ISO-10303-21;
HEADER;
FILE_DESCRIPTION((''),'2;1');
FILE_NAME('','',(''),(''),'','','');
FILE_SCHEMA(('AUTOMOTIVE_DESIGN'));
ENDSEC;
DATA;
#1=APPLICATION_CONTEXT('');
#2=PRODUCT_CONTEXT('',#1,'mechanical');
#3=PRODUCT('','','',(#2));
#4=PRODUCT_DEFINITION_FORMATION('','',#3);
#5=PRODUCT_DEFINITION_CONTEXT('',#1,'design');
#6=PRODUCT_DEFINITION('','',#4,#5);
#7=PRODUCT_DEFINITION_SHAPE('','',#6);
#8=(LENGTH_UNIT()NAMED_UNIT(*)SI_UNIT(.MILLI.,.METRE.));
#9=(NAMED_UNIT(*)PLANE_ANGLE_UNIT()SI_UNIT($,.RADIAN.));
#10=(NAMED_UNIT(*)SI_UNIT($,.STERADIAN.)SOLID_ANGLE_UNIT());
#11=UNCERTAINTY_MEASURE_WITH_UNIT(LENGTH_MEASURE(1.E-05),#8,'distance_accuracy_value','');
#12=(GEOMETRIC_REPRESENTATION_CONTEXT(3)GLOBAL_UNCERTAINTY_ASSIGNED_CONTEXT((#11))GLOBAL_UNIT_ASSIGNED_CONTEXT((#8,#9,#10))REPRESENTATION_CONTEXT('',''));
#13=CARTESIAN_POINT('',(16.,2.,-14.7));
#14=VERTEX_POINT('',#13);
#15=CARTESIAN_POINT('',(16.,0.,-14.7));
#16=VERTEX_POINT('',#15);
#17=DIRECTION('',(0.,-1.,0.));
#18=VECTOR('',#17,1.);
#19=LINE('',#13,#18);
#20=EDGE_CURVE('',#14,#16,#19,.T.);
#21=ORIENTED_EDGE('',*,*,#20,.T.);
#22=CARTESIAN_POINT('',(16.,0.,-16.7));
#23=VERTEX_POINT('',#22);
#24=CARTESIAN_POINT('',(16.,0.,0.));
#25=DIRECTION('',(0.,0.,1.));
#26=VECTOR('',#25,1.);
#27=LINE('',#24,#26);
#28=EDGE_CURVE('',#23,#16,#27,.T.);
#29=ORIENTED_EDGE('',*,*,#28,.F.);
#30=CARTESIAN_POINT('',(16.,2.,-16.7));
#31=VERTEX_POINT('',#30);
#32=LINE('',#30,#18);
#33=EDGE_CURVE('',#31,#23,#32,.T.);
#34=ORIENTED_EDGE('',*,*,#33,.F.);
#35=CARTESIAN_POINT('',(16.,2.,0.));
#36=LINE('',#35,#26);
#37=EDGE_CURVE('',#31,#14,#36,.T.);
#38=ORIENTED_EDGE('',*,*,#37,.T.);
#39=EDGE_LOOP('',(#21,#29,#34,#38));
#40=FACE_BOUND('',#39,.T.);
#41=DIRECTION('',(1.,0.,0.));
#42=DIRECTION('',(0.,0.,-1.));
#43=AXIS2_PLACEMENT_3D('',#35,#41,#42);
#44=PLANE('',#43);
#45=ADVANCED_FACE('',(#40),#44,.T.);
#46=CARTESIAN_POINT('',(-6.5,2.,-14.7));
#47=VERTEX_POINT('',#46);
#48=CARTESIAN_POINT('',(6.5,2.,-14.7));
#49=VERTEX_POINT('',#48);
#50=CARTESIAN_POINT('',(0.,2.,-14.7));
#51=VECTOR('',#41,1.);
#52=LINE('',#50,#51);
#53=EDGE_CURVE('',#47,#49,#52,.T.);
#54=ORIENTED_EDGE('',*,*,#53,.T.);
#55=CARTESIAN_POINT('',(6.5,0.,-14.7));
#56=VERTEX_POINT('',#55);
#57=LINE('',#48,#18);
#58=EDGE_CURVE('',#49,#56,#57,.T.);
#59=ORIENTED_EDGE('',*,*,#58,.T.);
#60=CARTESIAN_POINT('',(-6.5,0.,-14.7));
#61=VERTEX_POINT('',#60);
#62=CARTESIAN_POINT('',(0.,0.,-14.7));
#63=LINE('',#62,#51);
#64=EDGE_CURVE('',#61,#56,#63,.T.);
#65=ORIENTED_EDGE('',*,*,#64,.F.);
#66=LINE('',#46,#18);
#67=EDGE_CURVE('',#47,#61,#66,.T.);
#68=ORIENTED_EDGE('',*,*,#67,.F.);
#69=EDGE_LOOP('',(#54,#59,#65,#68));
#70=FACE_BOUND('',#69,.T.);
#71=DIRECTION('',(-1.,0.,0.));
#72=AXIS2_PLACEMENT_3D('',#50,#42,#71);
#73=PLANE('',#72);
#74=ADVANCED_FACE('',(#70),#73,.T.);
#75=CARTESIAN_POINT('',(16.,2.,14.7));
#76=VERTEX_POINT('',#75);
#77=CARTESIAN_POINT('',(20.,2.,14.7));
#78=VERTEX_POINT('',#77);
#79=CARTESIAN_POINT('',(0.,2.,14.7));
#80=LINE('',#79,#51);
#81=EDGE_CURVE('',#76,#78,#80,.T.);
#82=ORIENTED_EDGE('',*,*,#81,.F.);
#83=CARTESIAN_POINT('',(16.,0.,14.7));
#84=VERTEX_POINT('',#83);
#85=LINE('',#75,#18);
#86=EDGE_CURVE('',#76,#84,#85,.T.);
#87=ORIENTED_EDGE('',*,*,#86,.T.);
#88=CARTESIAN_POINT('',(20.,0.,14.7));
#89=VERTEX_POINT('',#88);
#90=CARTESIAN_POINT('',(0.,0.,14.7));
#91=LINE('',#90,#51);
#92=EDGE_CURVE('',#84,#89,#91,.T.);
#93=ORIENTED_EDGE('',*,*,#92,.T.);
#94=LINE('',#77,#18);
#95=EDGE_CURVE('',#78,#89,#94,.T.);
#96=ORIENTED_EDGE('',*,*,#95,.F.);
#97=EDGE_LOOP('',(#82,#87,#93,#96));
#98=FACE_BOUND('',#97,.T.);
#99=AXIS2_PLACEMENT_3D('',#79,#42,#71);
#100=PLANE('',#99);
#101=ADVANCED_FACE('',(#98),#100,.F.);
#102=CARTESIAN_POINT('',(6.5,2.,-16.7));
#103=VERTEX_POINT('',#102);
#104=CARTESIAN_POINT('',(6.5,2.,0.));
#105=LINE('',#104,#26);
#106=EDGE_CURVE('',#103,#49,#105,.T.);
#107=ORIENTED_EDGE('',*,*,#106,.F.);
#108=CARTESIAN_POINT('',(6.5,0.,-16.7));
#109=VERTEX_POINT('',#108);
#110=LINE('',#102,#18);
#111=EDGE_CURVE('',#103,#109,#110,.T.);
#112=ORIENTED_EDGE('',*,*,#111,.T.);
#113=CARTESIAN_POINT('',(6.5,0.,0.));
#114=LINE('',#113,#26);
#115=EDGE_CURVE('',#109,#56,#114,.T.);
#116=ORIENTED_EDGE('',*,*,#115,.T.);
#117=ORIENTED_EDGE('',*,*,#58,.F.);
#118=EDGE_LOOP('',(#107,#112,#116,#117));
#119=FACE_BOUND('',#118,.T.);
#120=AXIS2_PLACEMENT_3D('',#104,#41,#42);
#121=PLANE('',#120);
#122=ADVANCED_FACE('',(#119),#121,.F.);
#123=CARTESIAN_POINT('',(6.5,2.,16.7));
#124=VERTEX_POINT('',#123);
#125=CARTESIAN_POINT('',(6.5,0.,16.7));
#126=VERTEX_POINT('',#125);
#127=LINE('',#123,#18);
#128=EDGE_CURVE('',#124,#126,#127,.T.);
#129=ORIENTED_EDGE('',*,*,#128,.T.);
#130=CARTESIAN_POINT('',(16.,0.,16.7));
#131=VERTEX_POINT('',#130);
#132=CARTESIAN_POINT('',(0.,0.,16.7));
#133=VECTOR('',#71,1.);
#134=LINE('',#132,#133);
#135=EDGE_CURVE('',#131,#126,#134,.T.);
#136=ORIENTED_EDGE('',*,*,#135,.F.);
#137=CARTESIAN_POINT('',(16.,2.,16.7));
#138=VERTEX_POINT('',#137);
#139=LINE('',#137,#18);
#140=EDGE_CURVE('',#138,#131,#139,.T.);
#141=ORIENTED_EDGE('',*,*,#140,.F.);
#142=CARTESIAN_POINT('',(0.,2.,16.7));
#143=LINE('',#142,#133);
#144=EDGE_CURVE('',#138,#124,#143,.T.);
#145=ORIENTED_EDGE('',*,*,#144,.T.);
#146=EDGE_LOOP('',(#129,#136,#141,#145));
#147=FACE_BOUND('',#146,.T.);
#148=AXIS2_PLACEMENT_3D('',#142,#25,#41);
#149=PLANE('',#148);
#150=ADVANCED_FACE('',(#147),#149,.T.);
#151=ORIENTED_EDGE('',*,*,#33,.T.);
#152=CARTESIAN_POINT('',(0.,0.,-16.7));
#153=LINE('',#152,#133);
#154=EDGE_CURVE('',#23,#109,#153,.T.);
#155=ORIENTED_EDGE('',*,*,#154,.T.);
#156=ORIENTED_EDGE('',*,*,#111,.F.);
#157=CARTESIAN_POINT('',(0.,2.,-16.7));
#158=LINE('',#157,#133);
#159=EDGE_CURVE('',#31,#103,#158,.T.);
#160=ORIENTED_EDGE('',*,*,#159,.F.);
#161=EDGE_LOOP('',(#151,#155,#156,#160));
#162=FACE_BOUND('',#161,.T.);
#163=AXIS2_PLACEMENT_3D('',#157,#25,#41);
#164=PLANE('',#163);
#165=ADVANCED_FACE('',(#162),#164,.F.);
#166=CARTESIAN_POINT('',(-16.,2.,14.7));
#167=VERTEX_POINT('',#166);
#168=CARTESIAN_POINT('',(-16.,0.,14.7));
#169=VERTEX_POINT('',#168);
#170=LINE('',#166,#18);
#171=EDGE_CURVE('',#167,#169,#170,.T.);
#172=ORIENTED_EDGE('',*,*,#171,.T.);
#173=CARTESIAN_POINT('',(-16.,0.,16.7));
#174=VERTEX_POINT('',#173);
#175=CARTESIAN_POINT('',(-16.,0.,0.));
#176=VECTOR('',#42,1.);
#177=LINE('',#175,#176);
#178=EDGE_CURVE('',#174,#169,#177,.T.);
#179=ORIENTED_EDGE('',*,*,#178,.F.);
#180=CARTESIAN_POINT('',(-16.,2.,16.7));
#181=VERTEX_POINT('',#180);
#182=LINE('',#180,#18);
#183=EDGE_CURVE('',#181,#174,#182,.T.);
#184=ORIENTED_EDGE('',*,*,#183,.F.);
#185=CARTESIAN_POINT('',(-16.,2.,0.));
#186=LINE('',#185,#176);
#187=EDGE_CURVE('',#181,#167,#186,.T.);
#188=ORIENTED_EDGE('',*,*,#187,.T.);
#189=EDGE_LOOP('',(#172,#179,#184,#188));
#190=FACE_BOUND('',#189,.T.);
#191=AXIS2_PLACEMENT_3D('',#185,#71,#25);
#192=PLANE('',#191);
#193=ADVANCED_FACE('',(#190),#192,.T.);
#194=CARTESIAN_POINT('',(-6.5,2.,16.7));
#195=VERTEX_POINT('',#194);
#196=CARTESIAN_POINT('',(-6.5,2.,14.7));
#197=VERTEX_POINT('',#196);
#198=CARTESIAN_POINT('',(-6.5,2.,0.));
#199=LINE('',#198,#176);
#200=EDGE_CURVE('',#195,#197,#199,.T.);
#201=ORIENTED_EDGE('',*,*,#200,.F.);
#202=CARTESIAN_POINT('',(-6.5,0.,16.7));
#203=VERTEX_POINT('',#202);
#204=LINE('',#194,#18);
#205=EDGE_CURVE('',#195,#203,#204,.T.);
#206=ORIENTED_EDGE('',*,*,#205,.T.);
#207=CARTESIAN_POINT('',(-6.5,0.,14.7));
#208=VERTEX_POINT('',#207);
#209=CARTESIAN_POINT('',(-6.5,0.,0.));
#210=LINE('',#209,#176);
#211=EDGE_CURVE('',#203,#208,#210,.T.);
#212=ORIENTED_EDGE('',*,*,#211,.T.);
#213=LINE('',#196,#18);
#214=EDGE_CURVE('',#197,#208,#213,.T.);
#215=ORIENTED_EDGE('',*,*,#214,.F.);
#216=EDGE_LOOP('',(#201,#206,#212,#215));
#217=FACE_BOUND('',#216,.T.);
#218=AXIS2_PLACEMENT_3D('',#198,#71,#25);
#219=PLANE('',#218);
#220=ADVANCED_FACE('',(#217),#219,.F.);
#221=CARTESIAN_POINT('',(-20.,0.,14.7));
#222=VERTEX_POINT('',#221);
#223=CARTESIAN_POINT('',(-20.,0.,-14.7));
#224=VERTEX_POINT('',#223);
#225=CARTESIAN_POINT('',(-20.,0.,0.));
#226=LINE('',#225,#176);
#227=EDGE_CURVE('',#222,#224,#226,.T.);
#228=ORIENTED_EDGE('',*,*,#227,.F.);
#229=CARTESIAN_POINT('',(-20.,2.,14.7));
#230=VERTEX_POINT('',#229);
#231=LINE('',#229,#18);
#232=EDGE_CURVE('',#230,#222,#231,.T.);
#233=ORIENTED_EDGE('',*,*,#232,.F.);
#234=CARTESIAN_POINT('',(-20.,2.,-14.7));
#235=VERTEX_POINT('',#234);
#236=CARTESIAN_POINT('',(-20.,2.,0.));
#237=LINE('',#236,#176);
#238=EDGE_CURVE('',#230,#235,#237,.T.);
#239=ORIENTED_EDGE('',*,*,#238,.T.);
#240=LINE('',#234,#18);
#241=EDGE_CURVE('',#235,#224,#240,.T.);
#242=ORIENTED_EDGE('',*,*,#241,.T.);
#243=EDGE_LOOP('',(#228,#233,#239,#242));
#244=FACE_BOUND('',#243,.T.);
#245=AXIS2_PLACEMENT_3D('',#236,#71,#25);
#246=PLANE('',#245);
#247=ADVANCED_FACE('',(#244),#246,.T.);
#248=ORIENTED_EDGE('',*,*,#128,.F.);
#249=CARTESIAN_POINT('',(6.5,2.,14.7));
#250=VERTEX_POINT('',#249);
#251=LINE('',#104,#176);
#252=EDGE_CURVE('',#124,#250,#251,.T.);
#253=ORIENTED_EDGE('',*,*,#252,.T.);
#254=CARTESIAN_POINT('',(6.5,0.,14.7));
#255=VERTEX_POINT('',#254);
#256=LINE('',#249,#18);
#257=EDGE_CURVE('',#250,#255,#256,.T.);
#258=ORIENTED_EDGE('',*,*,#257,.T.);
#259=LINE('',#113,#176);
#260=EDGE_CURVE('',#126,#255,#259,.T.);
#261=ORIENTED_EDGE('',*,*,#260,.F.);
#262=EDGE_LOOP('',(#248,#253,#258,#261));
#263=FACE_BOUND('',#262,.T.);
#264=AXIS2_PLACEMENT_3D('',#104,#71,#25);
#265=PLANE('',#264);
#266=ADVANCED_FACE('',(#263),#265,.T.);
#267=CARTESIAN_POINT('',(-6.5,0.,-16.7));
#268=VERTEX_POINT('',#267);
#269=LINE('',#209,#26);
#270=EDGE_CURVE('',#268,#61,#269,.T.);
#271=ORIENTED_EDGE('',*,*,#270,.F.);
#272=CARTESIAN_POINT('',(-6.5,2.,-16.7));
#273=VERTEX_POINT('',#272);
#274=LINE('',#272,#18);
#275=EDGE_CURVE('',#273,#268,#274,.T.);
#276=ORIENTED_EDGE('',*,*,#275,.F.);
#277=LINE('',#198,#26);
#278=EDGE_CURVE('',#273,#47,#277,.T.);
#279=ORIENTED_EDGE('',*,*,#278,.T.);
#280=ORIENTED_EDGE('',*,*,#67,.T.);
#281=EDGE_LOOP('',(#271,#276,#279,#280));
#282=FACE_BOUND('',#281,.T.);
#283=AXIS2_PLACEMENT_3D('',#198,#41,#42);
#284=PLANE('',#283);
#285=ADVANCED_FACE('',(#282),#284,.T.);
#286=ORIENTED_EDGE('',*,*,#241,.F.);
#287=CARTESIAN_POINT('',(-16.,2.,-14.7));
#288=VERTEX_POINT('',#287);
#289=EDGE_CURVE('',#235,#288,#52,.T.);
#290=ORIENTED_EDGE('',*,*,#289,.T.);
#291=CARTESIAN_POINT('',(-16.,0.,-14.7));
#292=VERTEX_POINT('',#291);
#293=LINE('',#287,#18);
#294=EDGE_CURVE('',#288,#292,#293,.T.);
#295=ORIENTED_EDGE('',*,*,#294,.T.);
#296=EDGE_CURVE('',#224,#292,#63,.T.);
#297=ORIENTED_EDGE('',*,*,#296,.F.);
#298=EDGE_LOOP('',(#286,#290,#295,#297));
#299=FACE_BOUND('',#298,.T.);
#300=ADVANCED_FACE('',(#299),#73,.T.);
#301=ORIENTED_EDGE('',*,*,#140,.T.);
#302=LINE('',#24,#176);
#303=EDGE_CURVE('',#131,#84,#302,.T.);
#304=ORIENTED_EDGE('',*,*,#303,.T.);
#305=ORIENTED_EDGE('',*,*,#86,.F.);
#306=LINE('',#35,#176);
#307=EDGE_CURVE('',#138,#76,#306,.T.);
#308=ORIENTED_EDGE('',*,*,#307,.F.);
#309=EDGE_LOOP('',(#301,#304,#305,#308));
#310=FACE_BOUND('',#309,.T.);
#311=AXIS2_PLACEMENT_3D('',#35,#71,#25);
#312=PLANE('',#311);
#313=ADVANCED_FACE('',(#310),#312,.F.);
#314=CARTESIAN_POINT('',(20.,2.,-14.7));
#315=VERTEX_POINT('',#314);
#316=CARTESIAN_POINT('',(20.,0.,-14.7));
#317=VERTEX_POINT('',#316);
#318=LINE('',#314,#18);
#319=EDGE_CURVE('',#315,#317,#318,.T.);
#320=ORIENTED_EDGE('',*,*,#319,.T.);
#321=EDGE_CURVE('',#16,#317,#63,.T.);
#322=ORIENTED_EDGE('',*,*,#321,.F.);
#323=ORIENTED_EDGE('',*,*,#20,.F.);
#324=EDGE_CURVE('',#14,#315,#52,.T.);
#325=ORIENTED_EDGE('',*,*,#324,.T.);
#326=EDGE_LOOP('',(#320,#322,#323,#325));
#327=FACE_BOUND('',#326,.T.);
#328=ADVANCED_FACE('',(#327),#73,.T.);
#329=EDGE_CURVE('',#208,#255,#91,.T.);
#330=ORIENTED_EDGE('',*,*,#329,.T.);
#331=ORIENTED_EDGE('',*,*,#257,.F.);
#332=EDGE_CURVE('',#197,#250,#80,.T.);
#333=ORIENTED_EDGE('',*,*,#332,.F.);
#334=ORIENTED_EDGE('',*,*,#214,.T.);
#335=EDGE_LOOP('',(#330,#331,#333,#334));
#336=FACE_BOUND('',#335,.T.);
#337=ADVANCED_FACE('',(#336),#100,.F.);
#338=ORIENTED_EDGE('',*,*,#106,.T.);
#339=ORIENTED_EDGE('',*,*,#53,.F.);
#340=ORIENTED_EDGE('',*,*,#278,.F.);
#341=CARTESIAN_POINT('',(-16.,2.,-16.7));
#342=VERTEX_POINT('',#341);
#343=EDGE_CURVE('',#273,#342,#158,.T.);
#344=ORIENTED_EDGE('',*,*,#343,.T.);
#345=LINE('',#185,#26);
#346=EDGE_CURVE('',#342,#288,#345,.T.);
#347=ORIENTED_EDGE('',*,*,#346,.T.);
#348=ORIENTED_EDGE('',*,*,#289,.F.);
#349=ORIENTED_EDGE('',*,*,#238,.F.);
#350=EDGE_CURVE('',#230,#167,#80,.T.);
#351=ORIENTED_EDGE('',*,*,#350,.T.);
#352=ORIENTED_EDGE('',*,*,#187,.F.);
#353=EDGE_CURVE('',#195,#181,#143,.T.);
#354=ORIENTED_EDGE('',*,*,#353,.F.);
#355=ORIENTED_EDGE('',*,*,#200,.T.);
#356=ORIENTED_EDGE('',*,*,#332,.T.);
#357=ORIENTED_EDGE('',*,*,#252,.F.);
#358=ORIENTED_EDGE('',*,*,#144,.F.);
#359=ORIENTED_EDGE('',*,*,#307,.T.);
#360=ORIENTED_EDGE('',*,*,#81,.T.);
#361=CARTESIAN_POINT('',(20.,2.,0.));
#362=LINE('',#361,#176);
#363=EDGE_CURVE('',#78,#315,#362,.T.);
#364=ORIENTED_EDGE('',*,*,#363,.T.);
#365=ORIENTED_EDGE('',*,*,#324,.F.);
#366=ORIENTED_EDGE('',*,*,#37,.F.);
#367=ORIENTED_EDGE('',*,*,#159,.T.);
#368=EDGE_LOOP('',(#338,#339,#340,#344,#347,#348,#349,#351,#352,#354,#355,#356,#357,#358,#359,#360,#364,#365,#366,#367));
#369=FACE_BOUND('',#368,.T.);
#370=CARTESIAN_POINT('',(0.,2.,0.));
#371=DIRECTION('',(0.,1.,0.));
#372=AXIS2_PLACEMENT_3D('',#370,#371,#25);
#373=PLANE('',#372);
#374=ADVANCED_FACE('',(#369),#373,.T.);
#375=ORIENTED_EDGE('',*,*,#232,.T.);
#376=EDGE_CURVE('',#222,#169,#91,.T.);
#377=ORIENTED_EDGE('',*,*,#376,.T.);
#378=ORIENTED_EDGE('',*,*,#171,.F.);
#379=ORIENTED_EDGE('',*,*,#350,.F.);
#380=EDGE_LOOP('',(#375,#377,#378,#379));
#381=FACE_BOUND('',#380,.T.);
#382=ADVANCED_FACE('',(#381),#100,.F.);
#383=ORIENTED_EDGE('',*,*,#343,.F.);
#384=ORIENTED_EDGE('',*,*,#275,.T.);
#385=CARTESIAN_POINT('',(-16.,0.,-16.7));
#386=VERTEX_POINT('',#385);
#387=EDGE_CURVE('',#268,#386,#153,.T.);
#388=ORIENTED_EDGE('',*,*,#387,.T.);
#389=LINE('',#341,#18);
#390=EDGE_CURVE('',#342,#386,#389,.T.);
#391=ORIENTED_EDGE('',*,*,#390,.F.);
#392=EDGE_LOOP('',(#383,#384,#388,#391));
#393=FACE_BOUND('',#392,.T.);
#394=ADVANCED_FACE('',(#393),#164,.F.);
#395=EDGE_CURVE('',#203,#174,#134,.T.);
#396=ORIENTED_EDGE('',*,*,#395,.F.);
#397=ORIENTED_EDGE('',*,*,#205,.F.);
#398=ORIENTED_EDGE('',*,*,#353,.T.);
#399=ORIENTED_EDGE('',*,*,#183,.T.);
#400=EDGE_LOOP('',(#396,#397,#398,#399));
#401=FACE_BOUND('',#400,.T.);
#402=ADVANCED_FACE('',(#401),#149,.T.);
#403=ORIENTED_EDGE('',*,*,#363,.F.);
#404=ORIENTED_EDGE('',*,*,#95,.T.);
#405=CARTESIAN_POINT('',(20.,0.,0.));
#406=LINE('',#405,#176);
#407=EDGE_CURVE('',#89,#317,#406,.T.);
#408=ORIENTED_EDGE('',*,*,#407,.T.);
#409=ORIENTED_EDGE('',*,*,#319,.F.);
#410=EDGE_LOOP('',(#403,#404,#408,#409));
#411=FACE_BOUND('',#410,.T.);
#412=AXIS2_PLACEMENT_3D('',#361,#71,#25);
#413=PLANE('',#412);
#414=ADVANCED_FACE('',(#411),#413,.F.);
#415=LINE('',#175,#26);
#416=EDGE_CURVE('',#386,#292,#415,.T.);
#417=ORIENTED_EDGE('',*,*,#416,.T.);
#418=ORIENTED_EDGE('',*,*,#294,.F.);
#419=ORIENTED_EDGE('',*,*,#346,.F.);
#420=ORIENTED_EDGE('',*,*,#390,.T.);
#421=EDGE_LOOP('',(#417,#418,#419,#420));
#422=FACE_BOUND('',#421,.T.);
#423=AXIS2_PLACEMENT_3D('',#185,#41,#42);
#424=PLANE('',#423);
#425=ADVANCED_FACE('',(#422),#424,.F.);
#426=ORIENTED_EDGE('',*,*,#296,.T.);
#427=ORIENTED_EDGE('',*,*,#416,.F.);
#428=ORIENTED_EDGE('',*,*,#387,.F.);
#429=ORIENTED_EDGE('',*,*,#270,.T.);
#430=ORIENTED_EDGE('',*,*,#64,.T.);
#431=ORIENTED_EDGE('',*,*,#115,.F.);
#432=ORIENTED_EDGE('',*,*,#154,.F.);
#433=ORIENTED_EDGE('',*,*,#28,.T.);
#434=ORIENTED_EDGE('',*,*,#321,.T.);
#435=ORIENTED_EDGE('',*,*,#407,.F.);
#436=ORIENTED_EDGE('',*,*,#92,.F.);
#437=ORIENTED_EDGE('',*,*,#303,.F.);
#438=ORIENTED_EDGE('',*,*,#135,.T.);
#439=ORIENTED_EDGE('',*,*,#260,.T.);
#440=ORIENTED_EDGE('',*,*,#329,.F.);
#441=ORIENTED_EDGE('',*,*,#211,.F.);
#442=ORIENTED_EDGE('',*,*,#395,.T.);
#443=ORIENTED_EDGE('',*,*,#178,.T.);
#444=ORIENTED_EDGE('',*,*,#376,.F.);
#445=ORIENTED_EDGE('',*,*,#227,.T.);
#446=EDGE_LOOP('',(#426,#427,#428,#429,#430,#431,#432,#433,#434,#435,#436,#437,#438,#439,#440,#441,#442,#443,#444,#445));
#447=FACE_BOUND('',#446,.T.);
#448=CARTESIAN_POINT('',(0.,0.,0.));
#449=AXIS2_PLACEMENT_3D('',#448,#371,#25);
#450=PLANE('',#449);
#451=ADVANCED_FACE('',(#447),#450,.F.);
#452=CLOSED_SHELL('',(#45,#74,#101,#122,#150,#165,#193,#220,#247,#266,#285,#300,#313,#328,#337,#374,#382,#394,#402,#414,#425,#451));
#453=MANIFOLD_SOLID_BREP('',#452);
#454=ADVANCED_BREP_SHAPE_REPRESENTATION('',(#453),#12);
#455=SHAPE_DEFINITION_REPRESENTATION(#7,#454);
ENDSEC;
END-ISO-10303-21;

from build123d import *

# Parameters (mm, degrees)
SKETCH1_W           = 9.5
SKETCH1_H           = 2
BOSS_EXTRUDE1_DEPTH = 2


with BuildPart() as part:
    # Sketch1 → Boss-Extrude1 (new body)
    with BuildSketch(Plane(origin=(0, 0, 0), x_dir=(1, 0, 0), z_dir=(0, 1, 0))):
        Polygon((-6.5, 14.7), (-16, 14.7), (-20, 14.7), (-20, -14.7), (-16, -14.7), (-6.5, -14.7), (6.5, -14.7), (16, -14.7), (20, -14.7), (20, 14.7), (16, 14.7), (6.5, 14.7), align=None)
        with Locations((-11.25, 15.7)):
            Rectangle(SKETCH1_W, SKETCH1_H)
        with Locations((11.25, 15.7)):
            Rectangle(SKETCH1_W, SKETCH1_H)
        with Locations((-11.25, -15.7)):
            Rectangle(SKETCH1_W, SKETCH1_H)
        with Locations((11.25, -15.7)):
            Rectangle(SKETCH1_W, SKETCH1_H)
    extrude(amount=BOSS_EXTRUDE1_DEPTH)


solid = part.part
